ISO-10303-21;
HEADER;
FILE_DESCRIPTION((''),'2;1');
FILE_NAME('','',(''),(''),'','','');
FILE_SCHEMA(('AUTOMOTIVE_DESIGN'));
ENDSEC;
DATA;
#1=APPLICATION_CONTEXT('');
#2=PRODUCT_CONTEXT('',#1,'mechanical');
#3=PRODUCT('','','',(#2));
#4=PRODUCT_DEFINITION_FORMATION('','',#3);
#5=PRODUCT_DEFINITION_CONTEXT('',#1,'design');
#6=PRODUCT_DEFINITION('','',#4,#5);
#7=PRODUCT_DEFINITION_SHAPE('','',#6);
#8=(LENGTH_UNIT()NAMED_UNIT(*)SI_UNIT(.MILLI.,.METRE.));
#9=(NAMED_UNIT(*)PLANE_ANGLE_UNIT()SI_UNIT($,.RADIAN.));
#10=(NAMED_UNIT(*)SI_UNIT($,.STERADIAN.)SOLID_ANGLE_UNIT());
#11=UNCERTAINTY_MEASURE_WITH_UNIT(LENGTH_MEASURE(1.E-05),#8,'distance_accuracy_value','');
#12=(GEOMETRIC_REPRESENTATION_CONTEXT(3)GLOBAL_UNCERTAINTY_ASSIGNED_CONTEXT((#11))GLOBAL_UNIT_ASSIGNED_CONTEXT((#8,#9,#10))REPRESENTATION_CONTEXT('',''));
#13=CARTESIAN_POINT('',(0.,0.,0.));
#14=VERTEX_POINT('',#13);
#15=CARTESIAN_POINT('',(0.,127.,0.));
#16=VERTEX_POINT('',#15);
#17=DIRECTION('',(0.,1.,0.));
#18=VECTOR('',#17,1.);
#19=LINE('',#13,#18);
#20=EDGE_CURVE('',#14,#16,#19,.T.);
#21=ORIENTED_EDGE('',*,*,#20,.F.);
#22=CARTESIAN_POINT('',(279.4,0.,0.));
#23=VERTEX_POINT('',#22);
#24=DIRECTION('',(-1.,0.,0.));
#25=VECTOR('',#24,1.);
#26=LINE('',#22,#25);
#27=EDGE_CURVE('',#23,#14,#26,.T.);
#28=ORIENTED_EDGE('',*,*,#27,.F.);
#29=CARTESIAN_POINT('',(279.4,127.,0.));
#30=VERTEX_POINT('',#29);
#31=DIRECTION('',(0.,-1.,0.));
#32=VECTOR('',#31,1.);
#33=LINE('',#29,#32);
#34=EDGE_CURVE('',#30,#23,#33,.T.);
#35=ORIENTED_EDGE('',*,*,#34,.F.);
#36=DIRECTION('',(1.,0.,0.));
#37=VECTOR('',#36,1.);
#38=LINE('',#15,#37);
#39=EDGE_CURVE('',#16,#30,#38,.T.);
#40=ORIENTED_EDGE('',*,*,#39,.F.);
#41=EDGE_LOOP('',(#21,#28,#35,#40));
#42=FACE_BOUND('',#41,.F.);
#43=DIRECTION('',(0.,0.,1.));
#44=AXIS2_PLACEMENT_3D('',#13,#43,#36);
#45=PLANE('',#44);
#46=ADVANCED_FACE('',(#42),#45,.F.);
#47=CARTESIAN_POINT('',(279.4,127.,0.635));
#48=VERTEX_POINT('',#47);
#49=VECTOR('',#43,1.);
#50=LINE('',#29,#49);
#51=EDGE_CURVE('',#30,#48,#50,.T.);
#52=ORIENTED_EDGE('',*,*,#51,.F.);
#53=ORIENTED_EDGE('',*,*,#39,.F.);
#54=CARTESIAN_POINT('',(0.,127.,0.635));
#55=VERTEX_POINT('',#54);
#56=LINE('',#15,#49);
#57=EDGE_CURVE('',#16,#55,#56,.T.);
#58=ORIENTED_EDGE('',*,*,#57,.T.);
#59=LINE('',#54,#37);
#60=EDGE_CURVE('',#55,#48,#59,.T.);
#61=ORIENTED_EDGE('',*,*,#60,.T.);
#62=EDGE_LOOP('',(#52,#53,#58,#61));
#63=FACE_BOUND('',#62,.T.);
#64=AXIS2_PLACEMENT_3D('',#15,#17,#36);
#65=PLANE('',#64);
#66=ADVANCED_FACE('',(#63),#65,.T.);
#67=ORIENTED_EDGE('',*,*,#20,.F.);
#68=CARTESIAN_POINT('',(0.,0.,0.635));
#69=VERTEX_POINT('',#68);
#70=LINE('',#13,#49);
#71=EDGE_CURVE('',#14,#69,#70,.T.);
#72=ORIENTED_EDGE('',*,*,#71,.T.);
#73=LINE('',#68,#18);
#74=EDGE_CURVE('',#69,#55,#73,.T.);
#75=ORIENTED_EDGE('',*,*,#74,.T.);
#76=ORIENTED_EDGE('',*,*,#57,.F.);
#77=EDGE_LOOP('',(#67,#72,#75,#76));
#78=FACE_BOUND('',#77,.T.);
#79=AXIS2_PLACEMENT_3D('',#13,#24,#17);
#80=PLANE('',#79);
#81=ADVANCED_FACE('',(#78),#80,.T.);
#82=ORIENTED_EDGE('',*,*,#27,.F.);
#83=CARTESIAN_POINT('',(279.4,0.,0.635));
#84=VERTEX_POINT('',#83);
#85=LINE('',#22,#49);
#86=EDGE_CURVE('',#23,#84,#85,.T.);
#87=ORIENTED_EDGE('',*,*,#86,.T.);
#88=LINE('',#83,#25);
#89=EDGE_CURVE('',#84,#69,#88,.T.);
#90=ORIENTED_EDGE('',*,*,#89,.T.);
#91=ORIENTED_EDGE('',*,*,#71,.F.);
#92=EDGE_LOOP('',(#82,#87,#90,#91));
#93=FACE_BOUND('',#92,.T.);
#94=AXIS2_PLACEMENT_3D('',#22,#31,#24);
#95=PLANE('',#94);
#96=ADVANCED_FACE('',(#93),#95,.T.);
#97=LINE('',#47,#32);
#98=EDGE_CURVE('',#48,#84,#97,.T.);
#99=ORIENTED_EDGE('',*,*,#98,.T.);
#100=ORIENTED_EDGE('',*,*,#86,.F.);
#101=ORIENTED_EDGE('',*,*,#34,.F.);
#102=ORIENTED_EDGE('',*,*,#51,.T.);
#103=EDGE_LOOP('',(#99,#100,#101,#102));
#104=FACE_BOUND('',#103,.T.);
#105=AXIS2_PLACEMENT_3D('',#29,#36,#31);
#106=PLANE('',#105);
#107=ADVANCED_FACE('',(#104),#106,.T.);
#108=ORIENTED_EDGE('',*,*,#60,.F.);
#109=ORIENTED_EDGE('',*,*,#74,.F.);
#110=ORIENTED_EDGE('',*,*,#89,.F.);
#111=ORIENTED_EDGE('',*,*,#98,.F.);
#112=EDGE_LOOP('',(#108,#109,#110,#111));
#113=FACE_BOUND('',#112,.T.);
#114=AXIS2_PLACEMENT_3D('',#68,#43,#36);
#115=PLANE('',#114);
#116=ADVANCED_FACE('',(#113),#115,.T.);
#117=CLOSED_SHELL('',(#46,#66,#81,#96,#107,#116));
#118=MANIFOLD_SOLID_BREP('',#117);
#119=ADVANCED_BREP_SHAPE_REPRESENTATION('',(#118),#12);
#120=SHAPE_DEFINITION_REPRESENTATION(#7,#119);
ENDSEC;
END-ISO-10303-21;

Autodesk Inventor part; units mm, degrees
ref_plane "YZ Plane" through (0, 0, 0) normal (1, 0, 0) x (0, 1, 0)
ref_plane "XZ Plane" through (0, 0, 0) normal (0, 1, 0) x (-1, 0, 0)
ref_plane "XY Plane" through (0, 0, 0) normal (0, 0, 1) x (1, 0, 0)
sketch "Sketch1" plane through (0, 0, 0) normal (0, 0, 1) x (1, 0, 0)
  line L0 (0, 0) -> (0, 127)
  line L1 (0, 127) -> (279.4, 127)
  line L2 (279.4, 127) -> (279.4, 0)
  line L3 (279.4, 0) -> (0, 0)
  dimension "d0" = 127
  dimension "d1" = 279.4
extrude "Extrusion1" add sketch "Sketch1" along normal blind 0.635
properties part number "Plate"
